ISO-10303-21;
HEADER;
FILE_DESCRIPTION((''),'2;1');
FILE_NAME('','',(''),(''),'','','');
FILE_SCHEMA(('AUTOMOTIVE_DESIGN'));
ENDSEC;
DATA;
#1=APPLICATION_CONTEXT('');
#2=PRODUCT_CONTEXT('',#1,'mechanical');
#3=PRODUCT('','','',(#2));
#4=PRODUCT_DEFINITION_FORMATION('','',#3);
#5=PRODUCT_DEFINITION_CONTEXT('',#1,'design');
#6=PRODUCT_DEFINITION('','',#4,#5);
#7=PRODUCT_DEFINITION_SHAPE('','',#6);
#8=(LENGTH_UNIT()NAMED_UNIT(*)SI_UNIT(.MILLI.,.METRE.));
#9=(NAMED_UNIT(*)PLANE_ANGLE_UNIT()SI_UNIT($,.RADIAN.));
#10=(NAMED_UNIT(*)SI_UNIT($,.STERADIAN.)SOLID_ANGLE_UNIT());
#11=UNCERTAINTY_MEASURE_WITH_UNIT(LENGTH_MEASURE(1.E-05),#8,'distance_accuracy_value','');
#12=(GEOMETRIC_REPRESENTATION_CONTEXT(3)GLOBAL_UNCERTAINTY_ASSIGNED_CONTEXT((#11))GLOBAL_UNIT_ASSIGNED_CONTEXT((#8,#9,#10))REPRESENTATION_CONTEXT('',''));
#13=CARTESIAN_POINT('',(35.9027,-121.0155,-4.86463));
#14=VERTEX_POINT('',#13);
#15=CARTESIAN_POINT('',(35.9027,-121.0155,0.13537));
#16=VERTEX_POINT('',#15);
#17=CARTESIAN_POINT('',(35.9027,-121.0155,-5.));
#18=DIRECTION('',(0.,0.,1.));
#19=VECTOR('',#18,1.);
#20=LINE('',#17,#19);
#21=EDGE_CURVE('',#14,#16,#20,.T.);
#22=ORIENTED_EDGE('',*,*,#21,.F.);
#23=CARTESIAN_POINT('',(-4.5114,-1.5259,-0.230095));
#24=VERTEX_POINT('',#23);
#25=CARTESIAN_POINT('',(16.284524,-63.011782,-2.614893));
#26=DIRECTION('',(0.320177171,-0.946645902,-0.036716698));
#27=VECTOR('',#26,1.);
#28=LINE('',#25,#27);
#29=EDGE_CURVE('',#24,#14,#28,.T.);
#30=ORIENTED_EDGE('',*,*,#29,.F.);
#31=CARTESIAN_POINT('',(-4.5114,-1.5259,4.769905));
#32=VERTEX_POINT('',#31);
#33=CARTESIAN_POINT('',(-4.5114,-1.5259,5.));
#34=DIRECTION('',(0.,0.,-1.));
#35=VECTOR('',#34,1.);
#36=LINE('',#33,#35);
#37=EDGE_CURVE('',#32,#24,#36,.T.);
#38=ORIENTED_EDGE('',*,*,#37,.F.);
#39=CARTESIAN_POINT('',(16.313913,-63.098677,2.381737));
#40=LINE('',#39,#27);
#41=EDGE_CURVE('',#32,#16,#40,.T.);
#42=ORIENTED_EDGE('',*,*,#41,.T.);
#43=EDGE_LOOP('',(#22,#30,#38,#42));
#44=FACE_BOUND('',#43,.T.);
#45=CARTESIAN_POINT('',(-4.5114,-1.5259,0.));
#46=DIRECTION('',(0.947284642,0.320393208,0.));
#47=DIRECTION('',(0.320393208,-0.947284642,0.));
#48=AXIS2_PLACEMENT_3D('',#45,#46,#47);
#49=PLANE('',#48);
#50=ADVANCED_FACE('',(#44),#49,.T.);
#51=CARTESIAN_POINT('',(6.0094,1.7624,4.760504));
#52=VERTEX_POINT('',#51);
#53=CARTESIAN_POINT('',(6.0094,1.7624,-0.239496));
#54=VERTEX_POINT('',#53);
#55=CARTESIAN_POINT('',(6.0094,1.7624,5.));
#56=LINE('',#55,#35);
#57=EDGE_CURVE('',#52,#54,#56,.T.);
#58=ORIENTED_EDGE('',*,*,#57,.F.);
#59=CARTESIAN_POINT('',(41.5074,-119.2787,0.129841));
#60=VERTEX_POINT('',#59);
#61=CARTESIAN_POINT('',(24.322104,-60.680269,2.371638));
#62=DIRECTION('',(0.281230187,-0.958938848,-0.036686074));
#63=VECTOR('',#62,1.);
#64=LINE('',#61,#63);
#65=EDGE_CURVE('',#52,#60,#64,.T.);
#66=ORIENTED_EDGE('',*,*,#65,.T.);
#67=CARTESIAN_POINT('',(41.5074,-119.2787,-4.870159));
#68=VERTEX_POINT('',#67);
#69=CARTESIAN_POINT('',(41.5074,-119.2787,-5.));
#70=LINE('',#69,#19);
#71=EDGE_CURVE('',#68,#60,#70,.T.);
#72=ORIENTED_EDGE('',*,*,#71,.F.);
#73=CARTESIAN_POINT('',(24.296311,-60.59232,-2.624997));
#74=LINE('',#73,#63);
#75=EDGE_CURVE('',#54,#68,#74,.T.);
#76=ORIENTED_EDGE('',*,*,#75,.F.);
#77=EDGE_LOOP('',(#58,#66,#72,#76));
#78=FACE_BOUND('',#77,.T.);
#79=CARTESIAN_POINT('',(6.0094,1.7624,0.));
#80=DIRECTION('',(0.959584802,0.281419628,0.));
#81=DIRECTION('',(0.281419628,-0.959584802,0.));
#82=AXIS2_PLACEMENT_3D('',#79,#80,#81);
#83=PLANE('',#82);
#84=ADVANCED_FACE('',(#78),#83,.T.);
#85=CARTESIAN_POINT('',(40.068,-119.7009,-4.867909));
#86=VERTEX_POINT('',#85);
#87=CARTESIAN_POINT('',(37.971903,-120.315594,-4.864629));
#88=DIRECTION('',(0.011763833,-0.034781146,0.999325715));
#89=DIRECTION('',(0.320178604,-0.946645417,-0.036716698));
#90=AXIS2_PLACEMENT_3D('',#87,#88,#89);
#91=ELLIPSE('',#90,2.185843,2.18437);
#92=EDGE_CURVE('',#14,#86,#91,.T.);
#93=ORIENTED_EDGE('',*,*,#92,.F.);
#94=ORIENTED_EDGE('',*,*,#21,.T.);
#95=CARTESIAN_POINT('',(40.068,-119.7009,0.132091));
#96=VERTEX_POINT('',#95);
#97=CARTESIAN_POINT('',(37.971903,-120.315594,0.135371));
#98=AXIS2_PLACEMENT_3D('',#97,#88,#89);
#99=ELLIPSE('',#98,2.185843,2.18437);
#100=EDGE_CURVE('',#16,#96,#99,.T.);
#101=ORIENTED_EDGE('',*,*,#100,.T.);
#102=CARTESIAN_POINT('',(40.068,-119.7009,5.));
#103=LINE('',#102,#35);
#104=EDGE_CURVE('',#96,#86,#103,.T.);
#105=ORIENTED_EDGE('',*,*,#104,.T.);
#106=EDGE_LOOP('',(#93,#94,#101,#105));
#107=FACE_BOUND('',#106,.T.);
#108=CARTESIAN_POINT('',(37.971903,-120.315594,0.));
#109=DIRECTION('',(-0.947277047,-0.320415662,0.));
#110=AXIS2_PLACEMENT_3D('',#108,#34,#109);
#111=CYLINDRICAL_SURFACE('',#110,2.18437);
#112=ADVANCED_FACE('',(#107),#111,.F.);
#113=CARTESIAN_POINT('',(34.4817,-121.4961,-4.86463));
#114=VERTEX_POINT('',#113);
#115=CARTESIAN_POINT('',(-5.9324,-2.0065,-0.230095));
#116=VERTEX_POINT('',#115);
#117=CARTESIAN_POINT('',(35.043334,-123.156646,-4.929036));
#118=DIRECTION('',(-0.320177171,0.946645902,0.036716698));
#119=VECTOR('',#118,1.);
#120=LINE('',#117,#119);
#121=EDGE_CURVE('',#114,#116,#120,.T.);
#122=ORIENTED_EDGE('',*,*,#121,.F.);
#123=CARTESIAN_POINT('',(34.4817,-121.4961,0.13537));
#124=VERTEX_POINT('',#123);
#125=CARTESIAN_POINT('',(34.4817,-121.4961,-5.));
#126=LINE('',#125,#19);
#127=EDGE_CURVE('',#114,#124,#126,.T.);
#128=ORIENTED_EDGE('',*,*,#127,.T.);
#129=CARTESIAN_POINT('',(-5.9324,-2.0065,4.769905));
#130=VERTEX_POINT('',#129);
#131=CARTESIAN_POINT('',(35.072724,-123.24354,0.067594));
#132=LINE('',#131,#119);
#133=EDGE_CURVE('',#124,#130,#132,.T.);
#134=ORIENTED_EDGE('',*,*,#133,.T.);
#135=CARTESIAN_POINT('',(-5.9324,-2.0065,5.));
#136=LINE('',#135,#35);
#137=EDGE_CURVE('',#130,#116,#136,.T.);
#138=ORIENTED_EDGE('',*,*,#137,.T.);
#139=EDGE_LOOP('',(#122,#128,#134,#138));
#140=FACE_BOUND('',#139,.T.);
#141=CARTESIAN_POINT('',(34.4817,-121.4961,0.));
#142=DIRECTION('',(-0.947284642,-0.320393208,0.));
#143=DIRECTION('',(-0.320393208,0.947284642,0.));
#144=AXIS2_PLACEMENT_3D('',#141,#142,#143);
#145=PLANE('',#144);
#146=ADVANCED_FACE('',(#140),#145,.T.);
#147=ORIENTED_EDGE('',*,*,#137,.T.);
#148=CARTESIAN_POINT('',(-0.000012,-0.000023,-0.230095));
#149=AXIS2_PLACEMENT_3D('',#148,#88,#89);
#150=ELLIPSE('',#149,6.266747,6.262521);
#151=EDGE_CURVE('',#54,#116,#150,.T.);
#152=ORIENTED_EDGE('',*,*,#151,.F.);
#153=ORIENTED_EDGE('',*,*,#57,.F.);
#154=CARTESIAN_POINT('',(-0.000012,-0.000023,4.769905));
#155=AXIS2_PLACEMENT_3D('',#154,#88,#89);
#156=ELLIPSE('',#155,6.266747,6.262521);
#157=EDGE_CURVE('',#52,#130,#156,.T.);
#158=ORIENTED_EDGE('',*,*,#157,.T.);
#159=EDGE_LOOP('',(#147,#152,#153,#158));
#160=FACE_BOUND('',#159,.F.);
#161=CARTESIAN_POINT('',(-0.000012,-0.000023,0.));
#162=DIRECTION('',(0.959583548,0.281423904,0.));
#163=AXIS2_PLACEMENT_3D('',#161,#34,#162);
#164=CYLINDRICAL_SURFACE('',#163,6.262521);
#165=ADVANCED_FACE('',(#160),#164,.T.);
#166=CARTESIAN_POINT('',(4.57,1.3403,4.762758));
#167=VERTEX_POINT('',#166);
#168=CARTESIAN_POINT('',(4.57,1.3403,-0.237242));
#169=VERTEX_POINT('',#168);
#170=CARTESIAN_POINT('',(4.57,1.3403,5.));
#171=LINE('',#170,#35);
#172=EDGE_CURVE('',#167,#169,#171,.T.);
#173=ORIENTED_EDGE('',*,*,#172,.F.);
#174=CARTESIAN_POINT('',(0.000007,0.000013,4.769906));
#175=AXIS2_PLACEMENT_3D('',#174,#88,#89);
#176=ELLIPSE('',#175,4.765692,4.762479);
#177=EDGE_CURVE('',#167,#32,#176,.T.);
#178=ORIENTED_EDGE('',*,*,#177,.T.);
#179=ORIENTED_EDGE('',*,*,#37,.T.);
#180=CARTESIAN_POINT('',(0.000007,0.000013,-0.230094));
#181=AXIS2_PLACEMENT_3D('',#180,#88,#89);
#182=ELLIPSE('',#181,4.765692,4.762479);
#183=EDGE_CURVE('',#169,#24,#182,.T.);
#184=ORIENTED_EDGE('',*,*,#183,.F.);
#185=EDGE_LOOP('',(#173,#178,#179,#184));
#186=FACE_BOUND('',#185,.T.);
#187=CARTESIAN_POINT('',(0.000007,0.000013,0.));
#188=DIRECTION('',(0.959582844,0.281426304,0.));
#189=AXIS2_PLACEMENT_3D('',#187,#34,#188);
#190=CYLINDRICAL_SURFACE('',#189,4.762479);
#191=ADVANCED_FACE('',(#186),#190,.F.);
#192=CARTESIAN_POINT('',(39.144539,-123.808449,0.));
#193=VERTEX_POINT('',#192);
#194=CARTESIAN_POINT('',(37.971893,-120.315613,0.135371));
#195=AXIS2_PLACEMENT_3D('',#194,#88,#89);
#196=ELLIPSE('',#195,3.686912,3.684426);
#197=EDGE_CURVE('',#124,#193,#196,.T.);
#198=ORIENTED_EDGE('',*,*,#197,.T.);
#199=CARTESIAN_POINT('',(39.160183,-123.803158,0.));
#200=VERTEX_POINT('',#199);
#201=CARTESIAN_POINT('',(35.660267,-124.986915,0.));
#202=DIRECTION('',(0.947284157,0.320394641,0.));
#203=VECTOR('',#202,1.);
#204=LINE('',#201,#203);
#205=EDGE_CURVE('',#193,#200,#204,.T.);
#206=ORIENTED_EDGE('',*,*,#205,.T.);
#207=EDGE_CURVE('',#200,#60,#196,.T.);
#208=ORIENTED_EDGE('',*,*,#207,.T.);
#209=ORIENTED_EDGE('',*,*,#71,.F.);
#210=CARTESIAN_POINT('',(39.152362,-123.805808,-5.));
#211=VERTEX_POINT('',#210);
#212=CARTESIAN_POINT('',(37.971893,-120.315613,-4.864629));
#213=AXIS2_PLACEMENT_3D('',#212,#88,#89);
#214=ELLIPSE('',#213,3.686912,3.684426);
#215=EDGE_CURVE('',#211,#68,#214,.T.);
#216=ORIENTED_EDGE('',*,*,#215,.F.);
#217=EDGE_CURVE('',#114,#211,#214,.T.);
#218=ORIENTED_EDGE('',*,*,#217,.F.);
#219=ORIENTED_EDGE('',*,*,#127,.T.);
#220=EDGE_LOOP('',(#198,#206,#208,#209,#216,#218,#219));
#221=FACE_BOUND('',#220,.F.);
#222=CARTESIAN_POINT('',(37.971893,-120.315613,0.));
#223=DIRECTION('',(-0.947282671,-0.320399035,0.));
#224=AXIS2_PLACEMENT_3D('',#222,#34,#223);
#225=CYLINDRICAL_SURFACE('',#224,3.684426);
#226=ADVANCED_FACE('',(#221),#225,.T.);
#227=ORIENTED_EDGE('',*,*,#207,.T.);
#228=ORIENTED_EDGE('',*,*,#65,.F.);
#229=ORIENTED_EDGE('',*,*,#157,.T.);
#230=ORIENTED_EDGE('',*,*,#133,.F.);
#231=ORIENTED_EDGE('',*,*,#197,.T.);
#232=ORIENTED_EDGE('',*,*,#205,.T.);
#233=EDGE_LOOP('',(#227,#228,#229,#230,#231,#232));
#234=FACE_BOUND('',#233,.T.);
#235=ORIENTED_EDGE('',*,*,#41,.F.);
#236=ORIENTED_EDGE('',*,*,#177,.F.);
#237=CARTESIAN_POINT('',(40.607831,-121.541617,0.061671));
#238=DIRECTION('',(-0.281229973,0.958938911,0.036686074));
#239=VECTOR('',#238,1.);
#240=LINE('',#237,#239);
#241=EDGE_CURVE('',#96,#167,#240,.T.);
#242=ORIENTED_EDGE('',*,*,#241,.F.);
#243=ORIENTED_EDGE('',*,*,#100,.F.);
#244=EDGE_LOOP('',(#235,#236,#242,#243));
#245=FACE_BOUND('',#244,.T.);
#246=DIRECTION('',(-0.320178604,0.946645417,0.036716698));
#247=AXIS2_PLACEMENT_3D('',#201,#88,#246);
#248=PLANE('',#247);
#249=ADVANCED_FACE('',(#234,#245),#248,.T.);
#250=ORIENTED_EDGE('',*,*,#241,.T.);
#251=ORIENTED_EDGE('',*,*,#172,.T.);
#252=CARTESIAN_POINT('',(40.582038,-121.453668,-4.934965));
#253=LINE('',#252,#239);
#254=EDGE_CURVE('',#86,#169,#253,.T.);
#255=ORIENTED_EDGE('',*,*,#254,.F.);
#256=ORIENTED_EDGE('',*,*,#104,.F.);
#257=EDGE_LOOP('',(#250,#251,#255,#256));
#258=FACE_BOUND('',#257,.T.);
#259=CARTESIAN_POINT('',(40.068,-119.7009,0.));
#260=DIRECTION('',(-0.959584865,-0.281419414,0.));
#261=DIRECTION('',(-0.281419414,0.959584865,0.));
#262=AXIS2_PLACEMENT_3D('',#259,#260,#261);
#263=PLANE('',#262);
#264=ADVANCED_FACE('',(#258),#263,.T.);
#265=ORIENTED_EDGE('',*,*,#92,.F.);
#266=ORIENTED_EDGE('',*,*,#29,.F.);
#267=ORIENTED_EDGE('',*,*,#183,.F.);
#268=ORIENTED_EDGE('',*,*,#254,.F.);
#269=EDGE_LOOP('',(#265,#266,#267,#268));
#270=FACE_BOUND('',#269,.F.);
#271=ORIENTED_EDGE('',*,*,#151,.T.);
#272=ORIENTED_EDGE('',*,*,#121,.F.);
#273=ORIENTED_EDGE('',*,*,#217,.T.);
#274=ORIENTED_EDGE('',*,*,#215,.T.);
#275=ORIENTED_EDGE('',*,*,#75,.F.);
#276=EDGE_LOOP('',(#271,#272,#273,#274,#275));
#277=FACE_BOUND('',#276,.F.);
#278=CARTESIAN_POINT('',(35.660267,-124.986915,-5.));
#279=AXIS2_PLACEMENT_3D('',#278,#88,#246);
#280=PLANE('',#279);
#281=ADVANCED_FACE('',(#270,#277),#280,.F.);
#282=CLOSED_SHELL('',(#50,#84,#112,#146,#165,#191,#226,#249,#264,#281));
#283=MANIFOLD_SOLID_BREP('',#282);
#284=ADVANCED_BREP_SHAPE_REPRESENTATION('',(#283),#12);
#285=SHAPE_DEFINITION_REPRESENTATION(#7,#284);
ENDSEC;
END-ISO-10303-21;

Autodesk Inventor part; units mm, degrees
ref_plane "YZ Plane" through (0, 0, 0) normal (1, 0, 0) x (0, 1, 0)
ref_plane "XZ Plane" through (0, 0, 0) normal (0, 1, 0) x (-1, 0, 0)
ref_plane "XY Plane" through (0, 0, 0) normal (0, 0, 1) x (1, 0, 0)
sketch "Sketch1" plane through (0, 0, 0) normal (0, 0, 1) x (1, 0, 0)
  circle A0 centre (0, 0) radius 4.7625 construction
  circle A1 centre (37.9719, -120.3156) radius 2.1844 construction
  arc A2 (35.9027, -121.0155) -> (40.068, -119.7009) centre (37.9719, -120.3156) ccw
  arc A3 (4.57, 1.3403) -> (-4.5114, -1.5259) centre (0, 0) ccw
  line L0 (-4.5114, -1.5259) -> (35.9027, -121.0155)
  line L1 (40.068, -119.7009) -> (4.57, 1.3403)
  line L2 (34.4817, -121.4961) -> (-5.9324, -2.0065)
  arc A4 (6.0094, 1.7624) -> (-5.9324, -2.0065) centre (0, 0) ccw
  line L3 (6.0094, 1.7624) -> (41.5074, -119.2787)
  arc A5 (34.4817, -121.4961) -> (41.5074, -119.2787) centre (37.9719, -120.3156) ccw
  point P0 (0, 0)
  dimension "d0" = 4.3688
  dimension "d1" = 1.5
extrude "Extrusion1" add sketch "Sketch1" along normal blind 5 and the other way blind 5
sketch "Sketch2" plane through (34.4817, -121.4961, -5) normal (-0.9473, -0.3204, 0) x (0, 0, 1)
  line L0 (0, 132.4016) -> (10, 132.4016) projected
  line L1 (10, 126.1391) -> (10, 0) projected
  line L2 (0, 0) -> (0, 126.1391) projected
  line L3 (0, -3.6844) -> (10, -3.6844) projected
  line L4 (0, 0) -> (0, -3.6844) projected
  line L5 (0, 0) -> (0, -3.6844)
  line L6 (10, -3.6844) -> (10, 0) projected
  line L7 (10, -3.6844) -> (10, 0)
  line L8 (10, 132.4016) -> (10, 126.1391)
  line L9 (10, 125.8832) -> (10, 132.4016) projected
  line L10 (0, 132.4016) -> (0, 126.1391)
  line L11 (0, 132.4016) -> (0, 125.8832) projected
  line L12 (5, -3.6844) -> (10, 132.4016)
  line L13 (0, -3.6844) -> (5, 132.4016)
  point P0 (5, 126.1391)
  point P1 (0, -0.1505)
  point P2 (10, -0.1505)
  dimension "d6" = 5
  dimension "d7" = 5
extrude "Extrusion2" cut sketch "Sketch2" against normal blind 25.4 contours L0 L13 L4 L2 L10 | L8 L1 L6 L3 L12
properties part number "Angle Changer right band"
